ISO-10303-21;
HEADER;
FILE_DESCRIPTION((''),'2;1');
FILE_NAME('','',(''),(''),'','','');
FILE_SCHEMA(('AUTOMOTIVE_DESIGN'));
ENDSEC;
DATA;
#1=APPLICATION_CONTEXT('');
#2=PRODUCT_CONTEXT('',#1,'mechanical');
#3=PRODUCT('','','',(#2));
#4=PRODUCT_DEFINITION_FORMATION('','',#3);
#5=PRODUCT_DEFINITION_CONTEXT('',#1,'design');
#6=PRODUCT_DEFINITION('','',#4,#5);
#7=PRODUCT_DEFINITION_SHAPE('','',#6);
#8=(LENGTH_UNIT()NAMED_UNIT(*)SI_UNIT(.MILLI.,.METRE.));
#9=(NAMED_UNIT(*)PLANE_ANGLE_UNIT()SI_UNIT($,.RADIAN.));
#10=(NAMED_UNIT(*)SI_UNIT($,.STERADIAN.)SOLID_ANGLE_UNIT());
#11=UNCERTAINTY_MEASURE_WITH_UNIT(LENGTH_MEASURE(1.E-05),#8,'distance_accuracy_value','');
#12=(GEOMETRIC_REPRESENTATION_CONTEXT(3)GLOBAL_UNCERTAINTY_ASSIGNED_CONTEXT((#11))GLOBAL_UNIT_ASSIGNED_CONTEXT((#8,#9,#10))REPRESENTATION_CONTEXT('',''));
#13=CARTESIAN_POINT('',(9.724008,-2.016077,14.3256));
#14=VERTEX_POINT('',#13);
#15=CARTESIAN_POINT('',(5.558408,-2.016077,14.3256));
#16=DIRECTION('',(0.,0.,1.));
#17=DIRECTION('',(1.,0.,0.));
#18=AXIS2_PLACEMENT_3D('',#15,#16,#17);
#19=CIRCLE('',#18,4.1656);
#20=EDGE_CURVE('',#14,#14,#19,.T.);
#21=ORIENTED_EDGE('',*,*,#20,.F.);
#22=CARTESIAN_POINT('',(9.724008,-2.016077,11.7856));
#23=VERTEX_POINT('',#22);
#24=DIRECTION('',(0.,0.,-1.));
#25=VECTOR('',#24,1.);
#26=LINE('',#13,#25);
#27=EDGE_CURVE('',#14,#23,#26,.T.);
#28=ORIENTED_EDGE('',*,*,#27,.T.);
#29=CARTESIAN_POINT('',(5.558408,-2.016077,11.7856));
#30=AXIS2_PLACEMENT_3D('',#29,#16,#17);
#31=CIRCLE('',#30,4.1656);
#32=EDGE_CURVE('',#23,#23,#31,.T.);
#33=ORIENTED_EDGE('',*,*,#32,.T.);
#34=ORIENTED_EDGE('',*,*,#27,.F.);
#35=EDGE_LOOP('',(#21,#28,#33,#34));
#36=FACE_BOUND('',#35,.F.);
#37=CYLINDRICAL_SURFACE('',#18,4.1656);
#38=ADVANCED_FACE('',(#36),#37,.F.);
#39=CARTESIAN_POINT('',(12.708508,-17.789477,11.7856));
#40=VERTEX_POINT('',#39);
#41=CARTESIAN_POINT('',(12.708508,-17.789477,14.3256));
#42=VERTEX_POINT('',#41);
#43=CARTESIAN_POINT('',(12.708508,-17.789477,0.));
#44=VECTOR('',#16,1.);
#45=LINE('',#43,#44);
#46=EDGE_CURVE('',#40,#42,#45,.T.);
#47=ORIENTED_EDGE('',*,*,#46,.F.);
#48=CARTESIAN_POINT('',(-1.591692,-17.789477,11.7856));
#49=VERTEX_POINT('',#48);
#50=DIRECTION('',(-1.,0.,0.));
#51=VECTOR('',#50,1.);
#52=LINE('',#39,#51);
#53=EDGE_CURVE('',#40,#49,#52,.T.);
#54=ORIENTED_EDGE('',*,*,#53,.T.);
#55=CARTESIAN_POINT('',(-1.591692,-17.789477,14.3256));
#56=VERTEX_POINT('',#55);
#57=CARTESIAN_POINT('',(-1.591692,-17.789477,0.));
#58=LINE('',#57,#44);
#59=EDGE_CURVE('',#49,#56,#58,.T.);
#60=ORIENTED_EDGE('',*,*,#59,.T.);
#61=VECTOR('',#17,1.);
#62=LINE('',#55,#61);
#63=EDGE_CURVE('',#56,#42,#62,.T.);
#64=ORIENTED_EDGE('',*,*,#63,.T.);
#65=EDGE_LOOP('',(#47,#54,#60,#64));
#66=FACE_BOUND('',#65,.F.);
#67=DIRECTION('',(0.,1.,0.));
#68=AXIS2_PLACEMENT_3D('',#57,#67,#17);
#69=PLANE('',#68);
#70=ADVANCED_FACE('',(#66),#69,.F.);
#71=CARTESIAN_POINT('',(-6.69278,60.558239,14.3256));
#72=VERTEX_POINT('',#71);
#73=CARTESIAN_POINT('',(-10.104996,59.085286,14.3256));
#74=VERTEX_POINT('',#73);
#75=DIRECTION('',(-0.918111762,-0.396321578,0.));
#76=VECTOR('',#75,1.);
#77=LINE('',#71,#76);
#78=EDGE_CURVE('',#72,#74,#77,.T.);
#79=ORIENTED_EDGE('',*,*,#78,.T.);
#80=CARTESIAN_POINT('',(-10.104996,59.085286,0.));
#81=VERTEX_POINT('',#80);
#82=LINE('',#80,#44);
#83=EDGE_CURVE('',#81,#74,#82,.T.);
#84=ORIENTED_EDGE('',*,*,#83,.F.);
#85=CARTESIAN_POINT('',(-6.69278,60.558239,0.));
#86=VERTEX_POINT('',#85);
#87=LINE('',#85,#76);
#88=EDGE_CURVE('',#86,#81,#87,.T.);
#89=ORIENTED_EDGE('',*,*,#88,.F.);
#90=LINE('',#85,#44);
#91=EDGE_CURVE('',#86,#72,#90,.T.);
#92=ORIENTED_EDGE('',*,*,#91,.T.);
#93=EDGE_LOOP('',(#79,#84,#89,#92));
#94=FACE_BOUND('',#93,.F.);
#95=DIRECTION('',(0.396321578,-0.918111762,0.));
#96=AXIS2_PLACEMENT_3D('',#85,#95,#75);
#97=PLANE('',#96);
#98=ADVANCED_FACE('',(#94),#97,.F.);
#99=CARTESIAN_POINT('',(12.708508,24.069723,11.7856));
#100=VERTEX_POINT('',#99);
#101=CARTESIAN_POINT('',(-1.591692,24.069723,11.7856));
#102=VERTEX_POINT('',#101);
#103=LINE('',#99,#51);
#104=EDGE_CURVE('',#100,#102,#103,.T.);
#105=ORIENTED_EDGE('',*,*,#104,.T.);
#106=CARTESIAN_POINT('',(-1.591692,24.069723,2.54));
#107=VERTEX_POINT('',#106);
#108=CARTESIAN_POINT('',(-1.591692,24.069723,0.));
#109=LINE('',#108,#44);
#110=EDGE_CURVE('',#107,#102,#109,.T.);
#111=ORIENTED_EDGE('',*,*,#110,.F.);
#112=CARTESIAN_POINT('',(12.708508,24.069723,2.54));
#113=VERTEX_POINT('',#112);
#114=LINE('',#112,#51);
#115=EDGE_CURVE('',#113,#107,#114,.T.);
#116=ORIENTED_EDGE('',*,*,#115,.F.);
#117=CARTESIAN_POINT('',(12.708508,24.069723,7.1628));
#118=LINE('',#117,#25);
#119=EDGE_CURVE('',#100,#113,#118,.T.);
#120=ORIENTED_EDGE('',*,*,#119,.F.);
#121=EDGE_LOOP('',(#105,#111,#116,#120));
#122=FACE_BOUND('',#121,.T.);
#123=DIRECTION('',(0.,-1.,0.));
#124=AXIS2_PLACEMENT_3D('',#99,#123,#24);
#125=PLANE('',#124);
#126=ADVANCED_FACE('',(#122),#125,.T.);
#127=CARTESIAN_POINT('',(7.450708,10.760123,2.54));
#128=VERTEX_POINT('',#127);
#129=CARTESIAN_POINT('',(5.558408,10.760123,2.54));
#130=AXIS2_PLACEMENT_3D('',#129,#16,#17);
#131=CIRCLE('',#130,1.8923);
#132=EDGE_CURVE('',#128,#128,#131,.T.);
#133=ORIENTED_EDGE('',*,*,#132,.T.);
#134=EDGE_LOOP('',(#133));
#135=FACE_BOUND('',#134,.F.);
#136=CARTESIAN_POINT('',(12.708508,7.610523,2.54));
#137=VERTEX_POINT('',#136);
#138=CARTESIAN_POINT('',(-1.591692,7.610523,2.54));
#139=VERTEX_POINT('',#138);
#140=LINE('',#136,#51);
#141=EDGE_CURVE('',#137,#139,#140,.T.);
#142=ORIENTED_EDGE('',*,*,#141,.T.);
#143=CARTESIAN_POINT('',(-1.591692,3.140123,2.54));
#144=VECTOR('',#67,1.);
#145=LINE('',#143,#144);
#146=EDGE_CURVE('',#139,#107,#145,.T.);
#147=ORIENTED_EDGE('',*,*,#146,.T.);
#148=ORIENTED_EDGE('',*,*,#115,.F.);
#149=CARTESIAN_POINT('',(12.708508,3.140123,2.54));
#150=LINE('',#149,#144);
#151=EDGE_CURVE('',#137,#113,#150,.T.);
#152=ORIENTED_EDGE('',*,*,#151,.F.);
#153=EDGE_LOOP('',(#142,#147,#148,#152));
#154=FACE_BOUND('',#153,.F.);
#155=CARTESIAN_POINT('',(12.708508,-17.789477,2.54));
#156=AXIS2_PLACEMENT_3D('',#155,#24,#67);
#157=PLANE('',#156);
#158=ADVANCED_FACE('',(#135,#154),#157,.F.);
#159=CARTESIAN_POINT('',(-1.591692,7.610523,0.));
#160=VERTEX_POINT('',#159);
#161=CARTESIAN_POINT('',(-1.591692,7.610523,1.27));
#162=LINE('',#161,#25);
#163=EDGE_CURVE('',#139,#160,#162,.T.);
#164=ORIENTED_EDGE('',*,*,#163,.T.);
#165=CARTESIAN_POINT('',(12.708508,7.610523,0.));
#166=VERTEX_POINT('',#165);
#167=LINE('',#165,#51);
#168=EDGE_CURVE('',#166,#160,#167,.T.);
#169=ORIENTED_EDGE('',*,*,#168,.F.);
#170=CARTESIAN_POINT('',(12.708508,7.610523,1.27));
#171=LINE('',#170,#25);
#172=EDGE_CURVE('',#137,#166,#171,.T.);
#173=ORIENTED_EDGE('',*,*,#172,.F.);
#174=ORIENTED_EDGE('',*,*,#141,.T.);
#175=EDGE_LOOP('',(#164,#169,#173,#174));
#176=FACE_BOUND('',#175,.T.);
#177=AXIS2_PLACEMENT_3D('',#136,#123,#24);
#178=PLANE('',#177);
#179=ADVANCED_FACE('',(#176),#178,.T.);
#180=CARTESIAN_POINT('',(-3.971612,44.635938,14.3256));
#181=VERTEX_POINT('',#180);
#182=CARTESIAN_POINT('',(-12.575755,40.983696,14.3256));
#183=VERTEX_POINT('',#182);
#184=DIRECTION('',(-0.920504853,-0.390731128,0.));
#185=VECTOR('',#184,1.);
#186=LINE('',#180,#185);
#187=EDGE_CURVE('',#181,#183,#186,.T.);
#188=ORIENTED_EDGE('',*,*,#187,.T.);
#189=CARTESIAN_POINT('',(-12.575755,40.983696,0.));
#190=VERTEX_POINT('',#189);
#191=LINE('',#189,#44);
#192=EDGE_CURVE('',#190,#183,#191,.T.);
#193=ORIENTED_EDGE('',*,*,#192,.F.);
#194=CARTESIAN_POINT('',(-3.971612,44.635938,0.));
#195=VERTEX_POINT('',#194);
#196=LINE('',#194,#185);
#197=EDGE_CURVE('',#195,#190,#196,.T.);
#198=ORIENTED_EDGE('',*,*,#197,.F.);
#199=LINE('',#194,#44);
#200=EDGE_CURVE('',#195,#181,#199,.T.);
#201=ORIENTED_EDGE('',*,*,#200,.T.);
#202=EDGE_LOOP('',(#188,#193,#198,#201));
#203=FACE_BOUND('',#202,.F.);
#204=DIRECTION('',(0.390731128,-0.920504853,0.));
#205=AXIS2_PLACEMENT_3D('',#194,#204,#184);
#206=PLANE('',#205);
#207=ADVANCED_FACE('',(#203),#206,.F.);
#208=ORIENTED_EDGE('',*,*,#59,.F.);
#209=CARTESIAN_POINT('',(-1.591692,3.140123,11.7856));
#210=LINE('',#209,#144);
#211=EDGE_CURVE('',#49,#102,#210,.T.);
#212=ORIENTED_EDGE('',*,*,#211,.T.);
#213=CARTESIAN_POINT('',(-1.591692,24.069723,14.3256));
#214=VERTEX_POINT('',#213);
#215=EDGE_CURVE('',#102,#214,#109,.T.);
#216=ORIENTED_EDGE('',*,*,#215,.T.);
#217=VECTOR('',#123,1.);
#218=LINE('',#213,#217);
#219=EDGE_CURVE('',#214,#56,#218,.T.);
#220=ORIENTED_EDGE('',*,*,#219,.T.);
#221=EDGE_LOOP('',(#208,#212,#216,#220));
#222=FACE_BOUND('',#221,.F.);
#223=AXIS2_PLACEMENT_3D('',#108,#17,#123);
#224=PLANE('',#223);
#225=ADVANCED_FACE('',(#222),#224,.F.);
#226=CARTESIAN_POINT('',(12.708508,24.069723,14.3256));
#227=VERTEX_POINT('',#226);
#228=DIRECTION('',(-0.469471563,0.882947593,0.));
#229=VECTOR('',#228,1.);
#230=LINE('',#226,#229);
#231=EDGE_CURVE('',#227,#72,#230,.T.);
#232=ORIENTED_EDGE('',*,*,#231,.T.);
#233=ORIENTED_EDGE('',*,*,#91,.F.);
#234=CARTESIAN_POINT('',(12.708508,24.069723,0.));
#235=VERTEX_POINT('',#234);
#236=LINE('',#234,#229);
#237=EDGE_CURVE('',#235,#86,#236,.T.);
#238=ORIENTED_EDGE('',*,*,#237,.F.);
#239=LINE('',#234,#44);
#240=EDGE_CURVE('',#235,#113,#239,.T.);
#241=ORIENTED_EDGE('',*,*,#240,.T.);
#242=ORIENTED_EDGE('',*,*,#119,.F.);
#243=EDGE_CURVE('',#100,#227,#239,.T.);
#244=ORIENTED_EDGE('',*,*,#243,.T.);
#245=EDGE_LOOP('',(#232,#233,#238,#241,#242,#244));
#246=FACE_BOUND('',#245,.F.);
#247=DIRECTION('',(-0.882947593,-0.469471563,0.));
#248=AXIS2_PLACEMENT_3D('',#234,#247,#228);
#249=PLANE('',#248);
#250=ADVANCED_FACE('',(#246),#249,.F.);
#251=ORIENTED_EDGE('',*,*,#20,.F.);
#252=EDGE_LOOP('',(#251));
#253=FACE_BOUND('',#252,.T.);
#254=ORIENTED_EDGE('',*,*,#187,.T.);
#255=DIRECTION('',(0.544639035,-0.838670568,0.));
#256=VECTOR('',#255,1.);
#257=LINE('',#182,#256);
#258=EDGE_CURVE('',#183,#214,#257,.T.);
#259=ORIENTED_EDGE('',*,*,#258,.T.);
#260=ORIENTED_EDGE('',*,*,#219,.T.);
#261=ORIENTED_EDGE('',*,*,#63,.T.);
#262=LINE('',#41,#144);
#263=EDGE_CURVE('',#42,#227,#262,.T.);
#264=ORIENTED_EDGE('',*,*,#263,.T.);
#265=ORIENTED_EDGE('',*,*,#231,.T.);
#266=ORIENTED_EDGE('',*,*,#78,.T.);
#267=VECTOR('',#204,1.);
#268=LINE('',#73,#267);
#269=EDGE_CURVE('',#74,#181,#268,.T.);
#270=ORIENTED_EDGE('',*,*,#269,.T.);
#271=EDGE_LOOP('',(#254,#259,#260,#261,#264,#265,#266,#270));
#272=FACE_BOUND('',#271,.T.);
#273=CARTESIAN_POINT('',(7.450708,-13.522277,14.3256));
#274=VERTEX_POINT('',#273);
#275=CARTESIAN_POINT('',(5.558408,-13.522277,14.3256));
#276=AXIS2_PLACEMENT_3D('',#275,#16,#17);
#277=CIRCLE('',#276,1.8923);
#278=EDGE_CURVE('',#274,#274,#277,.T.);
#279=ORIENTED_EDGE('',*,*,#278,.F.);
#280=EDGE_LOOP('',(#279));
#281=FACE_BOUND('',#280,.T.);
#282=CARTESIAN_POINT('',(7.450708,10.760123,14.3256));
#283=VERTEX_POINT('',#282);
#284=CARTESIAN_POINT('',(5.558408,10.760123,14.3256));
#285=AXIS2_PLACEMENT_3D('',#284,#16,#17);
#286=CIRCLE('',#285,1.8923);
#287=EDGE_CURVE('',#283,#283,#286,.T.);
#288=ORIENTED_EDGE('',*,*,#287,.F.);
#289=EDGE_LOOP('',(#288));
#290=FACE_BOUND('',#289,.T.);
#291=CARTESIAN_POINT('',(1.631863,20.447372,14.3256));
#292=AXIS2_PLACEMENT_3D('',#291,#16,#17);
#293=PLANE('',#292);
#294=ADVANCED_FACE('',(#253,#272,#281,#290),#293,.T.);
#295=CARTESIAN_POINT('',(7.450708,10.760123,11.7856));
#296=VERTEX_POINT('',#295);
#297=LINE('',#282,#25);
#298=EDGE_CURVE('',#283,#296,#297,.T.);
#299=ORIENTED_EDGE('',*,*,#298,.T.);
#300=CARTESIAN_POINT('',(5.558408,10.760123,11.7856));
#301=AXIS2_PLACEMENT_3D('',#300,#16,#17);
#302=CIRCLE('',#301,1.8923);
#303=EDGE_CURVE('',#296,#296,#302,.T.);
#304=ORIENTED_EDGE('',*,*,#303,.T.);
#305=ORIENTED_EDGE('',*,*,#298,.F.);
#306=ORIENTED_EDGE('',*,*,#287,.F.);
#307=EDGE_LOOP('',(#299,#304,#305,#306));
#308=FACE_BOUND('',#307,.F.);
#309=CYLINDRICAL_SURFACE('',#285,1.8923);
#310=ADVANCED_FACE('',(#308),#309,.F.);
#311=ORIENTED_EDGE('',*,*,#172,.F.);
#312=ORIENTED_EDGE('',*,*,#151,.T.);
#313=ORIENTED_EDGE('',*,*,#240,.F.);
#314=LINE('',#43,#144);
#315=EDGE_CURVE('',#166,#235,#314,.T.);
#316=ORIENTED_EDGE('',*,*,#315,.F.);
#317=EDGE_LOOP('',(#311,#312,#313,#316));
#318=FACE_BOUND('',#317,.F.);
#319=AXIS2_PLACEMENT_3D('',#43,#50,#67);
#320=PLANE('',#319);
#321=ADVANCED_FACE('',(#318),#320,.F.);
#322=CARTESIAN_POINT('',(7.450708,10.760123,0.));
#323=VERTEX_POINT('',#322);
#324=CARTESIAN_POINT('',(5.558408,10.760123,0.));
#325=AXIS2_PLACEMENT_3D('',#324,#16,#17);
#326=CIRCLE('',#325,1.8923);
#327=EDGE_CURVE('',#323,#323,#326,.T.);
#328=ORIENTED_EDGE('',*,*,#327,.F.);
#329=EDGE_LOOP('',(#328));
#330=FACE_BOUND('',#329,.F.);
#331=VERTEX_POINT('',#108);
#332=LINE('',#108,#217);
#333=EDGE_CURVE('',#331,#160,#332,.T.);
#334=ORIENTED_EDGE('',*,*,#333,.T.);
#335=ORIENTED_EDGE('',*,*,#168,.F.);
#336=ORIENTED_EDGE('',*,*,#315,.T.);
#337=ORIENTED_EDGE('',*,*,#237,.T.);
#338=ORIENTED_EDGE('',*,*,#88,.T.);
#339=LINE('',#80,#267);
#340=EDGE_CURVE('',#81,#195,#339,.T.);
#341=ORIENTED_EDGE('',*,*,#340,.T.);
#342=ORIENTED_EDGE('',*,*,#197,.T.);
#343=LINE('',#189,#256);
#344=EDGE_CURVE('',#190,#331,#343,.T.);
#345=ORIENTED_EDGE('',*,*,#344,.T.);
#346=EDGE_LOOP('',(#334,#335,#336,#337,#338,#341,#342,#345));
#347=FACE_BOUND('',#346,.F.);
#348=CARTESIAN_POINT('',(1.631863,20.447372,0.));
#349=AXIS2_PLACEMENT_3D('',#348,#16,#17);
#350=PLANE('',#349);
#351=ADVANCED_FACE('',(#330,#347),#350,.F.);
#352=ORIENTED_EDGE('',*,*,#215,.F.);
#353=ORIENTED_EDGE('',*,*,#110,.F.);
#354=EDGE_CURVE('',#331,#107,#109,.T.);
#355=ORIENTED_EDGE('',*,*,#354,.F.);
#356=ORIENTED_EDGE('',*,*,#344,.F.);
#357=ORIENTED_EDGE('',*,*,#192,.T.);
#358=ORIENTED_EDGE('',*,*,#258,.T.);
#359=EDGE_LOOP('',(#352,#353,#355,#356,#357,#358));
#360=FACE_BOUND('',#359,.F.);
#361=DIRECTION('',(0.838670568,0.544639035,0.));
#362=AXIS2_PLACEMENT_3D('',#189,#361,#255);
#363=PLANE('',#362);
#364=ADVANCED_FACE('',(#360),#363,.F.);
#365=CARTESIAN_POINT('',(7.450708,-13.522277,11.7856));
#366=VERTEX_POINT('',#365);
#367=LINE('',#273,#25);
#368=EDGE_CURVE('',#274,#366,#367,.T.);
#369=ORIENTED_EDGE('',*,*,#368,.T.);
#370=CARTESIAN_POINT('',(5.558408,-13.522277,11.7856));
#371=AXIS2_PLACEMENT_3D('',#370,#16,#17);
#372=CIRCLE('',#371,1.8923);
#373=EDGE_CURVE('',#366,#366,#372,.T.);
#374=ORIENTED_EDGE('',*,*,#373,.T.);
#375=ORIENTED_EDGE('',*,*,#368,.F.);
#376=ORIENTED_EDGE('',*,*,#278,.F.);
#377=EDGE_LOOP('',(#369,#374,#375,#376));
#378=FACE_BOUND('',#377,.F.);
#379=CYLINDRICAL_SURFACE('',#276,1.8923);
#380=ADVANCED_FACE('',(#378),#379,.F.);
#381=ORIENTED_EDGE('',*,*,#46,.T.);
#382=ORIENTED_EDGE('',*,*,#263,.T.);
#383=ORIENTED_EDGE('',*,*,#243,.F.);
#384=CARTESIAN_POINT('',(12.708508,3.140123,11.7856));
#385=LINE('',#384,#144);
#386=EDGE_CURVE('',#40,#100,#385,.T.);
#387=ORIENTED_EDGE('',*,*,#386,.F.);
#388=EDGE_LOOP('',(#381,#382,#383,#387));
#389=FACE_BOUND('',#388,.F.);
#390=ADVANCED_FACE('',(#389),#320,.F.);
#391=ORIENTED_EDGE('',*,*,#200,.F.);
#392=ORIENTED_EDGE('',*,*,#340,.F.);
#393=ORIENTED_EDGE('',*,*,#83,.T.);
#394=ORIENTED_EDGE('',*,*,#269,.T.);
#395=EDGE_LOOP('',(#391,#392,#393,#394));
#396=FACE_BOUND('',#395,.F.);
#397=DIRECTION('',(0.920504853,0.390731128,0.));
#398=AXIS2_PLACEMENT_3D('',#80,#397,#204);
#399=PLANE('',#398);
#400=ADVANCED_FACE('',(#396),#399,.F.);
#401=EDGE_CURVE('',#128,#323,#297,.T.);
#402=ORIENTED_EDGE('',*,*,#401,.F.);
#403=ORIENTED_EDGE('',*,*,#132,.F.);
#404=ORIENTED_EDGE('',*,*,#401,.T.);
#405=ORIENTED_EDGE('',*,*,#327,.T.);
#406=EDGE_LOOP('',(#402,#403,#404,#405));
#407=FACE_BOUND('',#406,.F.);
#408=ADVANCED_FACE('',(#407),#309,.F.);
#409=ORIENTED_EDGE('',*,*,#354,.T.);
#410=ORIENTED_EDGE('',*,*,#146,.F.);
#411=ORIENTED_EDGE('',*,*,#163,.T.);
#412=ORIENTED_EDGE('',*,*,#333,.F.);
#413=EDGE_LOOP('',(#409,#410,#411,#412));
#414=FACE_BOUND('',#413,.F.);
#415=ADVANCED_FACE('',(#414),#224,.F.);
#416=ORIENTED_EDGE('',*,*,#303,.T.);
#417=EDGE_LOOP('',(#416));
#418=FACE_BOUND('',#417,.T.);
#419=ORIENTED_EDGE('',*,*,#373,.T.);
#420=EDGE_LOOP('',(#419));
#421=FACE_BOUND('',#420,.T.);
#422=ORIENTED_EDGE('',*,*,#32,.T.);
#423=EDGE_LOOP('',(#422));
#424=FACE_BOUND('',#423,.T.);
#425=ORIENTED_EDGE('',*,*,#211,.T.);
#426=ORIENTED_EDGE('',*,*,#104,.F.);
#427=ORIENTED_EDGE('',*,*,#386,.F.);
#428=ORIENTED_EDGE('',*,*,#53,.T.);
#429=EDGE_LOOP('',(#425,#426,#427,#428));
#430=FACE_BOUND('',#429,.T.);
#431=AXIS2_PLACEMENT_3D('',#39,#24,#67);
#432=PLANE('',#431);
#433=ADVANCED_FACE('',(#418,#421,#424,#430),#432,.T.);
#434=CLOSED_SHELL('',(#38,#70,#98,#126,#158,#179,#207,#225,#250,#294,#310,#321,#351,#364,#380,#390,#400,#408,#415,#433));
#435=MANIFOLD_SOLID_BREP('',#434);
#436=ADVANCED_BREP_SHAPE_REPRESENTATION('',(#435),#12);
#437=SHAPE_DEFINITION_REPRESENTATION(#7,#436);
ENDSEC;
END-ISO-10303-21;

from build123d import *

# Parameters (mm, degrees)
BOSS_EXTRUDE2_DEPTH = 14.3256
SKETCH3_W           = 9.2456
SKETCH3_H           = 41.8592
CUT_EXTRUDE1_DEPTH  = 14.3256
SKETCH5_W           = 2.54
SKETCH5_H           = 25.4
CUT_EXTRUDE2_DEPTH  = 14.3256
SKETCH6_R           = 1.8923
SKETCH6_R_2         = 4.1656
CUT_EXTRUDE3_DEPTH  = 14.3256


with BuildPart() as part:
    # Sketch1 → Boss-Extrude2 (new body)
    with BuildSketch(Plane.XY):
        Polygon((-1.591692429, -17.789476976), (12.708507571, -17.789476976), (12.708507571, 24.069723024), (-6.692780338, 60.558238657), (-10.104996335, 59.08528636), (-3.971611665, 44.635937574), (-12.575754632, 40.98369557), (-1.591692429, 24.069723024), align=None)
    extrude(amount=BOSS_EXTRUDE2_DEPTH)

    # Sketch3 → Cut-Extrude1 (cut)
    with BuildSketch(Plane(origin=(12.708507571, 0, 0), x_dir=(0, 0, -1), z_dir=(1, 0, 0))):
        with Locations((-7.1628, 3.140123024)):
            Rectangle(SKETCH3_W, SKETCH3_H)
    extrude(amount=-CUT_EXTRUDE1_DEPTH, mode=Mode.SUBTRACT)

    # Sketch5 → Cut-Extrude2 (cut)
    with BuildSketch(Plane(origin=(12.708507571, 0, 0), x_dir=(0, 0, -1), z_dir=(1, 0, 0))):
        with Locations((-1.27, -5.089476976)):
            Rectangle(SKETCH5_W, SKETCH5_H)
    extrude(amount=-CUT_EXTRUDE2_DEPTH, mode=Mode.SUBTRACT)

    # Sketch6 → Cut-Extrude3 (cut)
    with BuildSketch(Plane.XY.offset(14.3256)):
        with Locations((5.558407571, -13.522276976)):
            Circle(SKETCH6_R)
        with Locations((5.558407571, 10.760123024)):
            Circle(SKETCH6_R)
        with Locations((5.558407571, -2.016076976)):
            Circle(SKETCH6_R_2)
    extrude(amount=-CUT_EXTRUDE3_DEPTH, mode=Mode.SUBTRACT)


solid = part.part
